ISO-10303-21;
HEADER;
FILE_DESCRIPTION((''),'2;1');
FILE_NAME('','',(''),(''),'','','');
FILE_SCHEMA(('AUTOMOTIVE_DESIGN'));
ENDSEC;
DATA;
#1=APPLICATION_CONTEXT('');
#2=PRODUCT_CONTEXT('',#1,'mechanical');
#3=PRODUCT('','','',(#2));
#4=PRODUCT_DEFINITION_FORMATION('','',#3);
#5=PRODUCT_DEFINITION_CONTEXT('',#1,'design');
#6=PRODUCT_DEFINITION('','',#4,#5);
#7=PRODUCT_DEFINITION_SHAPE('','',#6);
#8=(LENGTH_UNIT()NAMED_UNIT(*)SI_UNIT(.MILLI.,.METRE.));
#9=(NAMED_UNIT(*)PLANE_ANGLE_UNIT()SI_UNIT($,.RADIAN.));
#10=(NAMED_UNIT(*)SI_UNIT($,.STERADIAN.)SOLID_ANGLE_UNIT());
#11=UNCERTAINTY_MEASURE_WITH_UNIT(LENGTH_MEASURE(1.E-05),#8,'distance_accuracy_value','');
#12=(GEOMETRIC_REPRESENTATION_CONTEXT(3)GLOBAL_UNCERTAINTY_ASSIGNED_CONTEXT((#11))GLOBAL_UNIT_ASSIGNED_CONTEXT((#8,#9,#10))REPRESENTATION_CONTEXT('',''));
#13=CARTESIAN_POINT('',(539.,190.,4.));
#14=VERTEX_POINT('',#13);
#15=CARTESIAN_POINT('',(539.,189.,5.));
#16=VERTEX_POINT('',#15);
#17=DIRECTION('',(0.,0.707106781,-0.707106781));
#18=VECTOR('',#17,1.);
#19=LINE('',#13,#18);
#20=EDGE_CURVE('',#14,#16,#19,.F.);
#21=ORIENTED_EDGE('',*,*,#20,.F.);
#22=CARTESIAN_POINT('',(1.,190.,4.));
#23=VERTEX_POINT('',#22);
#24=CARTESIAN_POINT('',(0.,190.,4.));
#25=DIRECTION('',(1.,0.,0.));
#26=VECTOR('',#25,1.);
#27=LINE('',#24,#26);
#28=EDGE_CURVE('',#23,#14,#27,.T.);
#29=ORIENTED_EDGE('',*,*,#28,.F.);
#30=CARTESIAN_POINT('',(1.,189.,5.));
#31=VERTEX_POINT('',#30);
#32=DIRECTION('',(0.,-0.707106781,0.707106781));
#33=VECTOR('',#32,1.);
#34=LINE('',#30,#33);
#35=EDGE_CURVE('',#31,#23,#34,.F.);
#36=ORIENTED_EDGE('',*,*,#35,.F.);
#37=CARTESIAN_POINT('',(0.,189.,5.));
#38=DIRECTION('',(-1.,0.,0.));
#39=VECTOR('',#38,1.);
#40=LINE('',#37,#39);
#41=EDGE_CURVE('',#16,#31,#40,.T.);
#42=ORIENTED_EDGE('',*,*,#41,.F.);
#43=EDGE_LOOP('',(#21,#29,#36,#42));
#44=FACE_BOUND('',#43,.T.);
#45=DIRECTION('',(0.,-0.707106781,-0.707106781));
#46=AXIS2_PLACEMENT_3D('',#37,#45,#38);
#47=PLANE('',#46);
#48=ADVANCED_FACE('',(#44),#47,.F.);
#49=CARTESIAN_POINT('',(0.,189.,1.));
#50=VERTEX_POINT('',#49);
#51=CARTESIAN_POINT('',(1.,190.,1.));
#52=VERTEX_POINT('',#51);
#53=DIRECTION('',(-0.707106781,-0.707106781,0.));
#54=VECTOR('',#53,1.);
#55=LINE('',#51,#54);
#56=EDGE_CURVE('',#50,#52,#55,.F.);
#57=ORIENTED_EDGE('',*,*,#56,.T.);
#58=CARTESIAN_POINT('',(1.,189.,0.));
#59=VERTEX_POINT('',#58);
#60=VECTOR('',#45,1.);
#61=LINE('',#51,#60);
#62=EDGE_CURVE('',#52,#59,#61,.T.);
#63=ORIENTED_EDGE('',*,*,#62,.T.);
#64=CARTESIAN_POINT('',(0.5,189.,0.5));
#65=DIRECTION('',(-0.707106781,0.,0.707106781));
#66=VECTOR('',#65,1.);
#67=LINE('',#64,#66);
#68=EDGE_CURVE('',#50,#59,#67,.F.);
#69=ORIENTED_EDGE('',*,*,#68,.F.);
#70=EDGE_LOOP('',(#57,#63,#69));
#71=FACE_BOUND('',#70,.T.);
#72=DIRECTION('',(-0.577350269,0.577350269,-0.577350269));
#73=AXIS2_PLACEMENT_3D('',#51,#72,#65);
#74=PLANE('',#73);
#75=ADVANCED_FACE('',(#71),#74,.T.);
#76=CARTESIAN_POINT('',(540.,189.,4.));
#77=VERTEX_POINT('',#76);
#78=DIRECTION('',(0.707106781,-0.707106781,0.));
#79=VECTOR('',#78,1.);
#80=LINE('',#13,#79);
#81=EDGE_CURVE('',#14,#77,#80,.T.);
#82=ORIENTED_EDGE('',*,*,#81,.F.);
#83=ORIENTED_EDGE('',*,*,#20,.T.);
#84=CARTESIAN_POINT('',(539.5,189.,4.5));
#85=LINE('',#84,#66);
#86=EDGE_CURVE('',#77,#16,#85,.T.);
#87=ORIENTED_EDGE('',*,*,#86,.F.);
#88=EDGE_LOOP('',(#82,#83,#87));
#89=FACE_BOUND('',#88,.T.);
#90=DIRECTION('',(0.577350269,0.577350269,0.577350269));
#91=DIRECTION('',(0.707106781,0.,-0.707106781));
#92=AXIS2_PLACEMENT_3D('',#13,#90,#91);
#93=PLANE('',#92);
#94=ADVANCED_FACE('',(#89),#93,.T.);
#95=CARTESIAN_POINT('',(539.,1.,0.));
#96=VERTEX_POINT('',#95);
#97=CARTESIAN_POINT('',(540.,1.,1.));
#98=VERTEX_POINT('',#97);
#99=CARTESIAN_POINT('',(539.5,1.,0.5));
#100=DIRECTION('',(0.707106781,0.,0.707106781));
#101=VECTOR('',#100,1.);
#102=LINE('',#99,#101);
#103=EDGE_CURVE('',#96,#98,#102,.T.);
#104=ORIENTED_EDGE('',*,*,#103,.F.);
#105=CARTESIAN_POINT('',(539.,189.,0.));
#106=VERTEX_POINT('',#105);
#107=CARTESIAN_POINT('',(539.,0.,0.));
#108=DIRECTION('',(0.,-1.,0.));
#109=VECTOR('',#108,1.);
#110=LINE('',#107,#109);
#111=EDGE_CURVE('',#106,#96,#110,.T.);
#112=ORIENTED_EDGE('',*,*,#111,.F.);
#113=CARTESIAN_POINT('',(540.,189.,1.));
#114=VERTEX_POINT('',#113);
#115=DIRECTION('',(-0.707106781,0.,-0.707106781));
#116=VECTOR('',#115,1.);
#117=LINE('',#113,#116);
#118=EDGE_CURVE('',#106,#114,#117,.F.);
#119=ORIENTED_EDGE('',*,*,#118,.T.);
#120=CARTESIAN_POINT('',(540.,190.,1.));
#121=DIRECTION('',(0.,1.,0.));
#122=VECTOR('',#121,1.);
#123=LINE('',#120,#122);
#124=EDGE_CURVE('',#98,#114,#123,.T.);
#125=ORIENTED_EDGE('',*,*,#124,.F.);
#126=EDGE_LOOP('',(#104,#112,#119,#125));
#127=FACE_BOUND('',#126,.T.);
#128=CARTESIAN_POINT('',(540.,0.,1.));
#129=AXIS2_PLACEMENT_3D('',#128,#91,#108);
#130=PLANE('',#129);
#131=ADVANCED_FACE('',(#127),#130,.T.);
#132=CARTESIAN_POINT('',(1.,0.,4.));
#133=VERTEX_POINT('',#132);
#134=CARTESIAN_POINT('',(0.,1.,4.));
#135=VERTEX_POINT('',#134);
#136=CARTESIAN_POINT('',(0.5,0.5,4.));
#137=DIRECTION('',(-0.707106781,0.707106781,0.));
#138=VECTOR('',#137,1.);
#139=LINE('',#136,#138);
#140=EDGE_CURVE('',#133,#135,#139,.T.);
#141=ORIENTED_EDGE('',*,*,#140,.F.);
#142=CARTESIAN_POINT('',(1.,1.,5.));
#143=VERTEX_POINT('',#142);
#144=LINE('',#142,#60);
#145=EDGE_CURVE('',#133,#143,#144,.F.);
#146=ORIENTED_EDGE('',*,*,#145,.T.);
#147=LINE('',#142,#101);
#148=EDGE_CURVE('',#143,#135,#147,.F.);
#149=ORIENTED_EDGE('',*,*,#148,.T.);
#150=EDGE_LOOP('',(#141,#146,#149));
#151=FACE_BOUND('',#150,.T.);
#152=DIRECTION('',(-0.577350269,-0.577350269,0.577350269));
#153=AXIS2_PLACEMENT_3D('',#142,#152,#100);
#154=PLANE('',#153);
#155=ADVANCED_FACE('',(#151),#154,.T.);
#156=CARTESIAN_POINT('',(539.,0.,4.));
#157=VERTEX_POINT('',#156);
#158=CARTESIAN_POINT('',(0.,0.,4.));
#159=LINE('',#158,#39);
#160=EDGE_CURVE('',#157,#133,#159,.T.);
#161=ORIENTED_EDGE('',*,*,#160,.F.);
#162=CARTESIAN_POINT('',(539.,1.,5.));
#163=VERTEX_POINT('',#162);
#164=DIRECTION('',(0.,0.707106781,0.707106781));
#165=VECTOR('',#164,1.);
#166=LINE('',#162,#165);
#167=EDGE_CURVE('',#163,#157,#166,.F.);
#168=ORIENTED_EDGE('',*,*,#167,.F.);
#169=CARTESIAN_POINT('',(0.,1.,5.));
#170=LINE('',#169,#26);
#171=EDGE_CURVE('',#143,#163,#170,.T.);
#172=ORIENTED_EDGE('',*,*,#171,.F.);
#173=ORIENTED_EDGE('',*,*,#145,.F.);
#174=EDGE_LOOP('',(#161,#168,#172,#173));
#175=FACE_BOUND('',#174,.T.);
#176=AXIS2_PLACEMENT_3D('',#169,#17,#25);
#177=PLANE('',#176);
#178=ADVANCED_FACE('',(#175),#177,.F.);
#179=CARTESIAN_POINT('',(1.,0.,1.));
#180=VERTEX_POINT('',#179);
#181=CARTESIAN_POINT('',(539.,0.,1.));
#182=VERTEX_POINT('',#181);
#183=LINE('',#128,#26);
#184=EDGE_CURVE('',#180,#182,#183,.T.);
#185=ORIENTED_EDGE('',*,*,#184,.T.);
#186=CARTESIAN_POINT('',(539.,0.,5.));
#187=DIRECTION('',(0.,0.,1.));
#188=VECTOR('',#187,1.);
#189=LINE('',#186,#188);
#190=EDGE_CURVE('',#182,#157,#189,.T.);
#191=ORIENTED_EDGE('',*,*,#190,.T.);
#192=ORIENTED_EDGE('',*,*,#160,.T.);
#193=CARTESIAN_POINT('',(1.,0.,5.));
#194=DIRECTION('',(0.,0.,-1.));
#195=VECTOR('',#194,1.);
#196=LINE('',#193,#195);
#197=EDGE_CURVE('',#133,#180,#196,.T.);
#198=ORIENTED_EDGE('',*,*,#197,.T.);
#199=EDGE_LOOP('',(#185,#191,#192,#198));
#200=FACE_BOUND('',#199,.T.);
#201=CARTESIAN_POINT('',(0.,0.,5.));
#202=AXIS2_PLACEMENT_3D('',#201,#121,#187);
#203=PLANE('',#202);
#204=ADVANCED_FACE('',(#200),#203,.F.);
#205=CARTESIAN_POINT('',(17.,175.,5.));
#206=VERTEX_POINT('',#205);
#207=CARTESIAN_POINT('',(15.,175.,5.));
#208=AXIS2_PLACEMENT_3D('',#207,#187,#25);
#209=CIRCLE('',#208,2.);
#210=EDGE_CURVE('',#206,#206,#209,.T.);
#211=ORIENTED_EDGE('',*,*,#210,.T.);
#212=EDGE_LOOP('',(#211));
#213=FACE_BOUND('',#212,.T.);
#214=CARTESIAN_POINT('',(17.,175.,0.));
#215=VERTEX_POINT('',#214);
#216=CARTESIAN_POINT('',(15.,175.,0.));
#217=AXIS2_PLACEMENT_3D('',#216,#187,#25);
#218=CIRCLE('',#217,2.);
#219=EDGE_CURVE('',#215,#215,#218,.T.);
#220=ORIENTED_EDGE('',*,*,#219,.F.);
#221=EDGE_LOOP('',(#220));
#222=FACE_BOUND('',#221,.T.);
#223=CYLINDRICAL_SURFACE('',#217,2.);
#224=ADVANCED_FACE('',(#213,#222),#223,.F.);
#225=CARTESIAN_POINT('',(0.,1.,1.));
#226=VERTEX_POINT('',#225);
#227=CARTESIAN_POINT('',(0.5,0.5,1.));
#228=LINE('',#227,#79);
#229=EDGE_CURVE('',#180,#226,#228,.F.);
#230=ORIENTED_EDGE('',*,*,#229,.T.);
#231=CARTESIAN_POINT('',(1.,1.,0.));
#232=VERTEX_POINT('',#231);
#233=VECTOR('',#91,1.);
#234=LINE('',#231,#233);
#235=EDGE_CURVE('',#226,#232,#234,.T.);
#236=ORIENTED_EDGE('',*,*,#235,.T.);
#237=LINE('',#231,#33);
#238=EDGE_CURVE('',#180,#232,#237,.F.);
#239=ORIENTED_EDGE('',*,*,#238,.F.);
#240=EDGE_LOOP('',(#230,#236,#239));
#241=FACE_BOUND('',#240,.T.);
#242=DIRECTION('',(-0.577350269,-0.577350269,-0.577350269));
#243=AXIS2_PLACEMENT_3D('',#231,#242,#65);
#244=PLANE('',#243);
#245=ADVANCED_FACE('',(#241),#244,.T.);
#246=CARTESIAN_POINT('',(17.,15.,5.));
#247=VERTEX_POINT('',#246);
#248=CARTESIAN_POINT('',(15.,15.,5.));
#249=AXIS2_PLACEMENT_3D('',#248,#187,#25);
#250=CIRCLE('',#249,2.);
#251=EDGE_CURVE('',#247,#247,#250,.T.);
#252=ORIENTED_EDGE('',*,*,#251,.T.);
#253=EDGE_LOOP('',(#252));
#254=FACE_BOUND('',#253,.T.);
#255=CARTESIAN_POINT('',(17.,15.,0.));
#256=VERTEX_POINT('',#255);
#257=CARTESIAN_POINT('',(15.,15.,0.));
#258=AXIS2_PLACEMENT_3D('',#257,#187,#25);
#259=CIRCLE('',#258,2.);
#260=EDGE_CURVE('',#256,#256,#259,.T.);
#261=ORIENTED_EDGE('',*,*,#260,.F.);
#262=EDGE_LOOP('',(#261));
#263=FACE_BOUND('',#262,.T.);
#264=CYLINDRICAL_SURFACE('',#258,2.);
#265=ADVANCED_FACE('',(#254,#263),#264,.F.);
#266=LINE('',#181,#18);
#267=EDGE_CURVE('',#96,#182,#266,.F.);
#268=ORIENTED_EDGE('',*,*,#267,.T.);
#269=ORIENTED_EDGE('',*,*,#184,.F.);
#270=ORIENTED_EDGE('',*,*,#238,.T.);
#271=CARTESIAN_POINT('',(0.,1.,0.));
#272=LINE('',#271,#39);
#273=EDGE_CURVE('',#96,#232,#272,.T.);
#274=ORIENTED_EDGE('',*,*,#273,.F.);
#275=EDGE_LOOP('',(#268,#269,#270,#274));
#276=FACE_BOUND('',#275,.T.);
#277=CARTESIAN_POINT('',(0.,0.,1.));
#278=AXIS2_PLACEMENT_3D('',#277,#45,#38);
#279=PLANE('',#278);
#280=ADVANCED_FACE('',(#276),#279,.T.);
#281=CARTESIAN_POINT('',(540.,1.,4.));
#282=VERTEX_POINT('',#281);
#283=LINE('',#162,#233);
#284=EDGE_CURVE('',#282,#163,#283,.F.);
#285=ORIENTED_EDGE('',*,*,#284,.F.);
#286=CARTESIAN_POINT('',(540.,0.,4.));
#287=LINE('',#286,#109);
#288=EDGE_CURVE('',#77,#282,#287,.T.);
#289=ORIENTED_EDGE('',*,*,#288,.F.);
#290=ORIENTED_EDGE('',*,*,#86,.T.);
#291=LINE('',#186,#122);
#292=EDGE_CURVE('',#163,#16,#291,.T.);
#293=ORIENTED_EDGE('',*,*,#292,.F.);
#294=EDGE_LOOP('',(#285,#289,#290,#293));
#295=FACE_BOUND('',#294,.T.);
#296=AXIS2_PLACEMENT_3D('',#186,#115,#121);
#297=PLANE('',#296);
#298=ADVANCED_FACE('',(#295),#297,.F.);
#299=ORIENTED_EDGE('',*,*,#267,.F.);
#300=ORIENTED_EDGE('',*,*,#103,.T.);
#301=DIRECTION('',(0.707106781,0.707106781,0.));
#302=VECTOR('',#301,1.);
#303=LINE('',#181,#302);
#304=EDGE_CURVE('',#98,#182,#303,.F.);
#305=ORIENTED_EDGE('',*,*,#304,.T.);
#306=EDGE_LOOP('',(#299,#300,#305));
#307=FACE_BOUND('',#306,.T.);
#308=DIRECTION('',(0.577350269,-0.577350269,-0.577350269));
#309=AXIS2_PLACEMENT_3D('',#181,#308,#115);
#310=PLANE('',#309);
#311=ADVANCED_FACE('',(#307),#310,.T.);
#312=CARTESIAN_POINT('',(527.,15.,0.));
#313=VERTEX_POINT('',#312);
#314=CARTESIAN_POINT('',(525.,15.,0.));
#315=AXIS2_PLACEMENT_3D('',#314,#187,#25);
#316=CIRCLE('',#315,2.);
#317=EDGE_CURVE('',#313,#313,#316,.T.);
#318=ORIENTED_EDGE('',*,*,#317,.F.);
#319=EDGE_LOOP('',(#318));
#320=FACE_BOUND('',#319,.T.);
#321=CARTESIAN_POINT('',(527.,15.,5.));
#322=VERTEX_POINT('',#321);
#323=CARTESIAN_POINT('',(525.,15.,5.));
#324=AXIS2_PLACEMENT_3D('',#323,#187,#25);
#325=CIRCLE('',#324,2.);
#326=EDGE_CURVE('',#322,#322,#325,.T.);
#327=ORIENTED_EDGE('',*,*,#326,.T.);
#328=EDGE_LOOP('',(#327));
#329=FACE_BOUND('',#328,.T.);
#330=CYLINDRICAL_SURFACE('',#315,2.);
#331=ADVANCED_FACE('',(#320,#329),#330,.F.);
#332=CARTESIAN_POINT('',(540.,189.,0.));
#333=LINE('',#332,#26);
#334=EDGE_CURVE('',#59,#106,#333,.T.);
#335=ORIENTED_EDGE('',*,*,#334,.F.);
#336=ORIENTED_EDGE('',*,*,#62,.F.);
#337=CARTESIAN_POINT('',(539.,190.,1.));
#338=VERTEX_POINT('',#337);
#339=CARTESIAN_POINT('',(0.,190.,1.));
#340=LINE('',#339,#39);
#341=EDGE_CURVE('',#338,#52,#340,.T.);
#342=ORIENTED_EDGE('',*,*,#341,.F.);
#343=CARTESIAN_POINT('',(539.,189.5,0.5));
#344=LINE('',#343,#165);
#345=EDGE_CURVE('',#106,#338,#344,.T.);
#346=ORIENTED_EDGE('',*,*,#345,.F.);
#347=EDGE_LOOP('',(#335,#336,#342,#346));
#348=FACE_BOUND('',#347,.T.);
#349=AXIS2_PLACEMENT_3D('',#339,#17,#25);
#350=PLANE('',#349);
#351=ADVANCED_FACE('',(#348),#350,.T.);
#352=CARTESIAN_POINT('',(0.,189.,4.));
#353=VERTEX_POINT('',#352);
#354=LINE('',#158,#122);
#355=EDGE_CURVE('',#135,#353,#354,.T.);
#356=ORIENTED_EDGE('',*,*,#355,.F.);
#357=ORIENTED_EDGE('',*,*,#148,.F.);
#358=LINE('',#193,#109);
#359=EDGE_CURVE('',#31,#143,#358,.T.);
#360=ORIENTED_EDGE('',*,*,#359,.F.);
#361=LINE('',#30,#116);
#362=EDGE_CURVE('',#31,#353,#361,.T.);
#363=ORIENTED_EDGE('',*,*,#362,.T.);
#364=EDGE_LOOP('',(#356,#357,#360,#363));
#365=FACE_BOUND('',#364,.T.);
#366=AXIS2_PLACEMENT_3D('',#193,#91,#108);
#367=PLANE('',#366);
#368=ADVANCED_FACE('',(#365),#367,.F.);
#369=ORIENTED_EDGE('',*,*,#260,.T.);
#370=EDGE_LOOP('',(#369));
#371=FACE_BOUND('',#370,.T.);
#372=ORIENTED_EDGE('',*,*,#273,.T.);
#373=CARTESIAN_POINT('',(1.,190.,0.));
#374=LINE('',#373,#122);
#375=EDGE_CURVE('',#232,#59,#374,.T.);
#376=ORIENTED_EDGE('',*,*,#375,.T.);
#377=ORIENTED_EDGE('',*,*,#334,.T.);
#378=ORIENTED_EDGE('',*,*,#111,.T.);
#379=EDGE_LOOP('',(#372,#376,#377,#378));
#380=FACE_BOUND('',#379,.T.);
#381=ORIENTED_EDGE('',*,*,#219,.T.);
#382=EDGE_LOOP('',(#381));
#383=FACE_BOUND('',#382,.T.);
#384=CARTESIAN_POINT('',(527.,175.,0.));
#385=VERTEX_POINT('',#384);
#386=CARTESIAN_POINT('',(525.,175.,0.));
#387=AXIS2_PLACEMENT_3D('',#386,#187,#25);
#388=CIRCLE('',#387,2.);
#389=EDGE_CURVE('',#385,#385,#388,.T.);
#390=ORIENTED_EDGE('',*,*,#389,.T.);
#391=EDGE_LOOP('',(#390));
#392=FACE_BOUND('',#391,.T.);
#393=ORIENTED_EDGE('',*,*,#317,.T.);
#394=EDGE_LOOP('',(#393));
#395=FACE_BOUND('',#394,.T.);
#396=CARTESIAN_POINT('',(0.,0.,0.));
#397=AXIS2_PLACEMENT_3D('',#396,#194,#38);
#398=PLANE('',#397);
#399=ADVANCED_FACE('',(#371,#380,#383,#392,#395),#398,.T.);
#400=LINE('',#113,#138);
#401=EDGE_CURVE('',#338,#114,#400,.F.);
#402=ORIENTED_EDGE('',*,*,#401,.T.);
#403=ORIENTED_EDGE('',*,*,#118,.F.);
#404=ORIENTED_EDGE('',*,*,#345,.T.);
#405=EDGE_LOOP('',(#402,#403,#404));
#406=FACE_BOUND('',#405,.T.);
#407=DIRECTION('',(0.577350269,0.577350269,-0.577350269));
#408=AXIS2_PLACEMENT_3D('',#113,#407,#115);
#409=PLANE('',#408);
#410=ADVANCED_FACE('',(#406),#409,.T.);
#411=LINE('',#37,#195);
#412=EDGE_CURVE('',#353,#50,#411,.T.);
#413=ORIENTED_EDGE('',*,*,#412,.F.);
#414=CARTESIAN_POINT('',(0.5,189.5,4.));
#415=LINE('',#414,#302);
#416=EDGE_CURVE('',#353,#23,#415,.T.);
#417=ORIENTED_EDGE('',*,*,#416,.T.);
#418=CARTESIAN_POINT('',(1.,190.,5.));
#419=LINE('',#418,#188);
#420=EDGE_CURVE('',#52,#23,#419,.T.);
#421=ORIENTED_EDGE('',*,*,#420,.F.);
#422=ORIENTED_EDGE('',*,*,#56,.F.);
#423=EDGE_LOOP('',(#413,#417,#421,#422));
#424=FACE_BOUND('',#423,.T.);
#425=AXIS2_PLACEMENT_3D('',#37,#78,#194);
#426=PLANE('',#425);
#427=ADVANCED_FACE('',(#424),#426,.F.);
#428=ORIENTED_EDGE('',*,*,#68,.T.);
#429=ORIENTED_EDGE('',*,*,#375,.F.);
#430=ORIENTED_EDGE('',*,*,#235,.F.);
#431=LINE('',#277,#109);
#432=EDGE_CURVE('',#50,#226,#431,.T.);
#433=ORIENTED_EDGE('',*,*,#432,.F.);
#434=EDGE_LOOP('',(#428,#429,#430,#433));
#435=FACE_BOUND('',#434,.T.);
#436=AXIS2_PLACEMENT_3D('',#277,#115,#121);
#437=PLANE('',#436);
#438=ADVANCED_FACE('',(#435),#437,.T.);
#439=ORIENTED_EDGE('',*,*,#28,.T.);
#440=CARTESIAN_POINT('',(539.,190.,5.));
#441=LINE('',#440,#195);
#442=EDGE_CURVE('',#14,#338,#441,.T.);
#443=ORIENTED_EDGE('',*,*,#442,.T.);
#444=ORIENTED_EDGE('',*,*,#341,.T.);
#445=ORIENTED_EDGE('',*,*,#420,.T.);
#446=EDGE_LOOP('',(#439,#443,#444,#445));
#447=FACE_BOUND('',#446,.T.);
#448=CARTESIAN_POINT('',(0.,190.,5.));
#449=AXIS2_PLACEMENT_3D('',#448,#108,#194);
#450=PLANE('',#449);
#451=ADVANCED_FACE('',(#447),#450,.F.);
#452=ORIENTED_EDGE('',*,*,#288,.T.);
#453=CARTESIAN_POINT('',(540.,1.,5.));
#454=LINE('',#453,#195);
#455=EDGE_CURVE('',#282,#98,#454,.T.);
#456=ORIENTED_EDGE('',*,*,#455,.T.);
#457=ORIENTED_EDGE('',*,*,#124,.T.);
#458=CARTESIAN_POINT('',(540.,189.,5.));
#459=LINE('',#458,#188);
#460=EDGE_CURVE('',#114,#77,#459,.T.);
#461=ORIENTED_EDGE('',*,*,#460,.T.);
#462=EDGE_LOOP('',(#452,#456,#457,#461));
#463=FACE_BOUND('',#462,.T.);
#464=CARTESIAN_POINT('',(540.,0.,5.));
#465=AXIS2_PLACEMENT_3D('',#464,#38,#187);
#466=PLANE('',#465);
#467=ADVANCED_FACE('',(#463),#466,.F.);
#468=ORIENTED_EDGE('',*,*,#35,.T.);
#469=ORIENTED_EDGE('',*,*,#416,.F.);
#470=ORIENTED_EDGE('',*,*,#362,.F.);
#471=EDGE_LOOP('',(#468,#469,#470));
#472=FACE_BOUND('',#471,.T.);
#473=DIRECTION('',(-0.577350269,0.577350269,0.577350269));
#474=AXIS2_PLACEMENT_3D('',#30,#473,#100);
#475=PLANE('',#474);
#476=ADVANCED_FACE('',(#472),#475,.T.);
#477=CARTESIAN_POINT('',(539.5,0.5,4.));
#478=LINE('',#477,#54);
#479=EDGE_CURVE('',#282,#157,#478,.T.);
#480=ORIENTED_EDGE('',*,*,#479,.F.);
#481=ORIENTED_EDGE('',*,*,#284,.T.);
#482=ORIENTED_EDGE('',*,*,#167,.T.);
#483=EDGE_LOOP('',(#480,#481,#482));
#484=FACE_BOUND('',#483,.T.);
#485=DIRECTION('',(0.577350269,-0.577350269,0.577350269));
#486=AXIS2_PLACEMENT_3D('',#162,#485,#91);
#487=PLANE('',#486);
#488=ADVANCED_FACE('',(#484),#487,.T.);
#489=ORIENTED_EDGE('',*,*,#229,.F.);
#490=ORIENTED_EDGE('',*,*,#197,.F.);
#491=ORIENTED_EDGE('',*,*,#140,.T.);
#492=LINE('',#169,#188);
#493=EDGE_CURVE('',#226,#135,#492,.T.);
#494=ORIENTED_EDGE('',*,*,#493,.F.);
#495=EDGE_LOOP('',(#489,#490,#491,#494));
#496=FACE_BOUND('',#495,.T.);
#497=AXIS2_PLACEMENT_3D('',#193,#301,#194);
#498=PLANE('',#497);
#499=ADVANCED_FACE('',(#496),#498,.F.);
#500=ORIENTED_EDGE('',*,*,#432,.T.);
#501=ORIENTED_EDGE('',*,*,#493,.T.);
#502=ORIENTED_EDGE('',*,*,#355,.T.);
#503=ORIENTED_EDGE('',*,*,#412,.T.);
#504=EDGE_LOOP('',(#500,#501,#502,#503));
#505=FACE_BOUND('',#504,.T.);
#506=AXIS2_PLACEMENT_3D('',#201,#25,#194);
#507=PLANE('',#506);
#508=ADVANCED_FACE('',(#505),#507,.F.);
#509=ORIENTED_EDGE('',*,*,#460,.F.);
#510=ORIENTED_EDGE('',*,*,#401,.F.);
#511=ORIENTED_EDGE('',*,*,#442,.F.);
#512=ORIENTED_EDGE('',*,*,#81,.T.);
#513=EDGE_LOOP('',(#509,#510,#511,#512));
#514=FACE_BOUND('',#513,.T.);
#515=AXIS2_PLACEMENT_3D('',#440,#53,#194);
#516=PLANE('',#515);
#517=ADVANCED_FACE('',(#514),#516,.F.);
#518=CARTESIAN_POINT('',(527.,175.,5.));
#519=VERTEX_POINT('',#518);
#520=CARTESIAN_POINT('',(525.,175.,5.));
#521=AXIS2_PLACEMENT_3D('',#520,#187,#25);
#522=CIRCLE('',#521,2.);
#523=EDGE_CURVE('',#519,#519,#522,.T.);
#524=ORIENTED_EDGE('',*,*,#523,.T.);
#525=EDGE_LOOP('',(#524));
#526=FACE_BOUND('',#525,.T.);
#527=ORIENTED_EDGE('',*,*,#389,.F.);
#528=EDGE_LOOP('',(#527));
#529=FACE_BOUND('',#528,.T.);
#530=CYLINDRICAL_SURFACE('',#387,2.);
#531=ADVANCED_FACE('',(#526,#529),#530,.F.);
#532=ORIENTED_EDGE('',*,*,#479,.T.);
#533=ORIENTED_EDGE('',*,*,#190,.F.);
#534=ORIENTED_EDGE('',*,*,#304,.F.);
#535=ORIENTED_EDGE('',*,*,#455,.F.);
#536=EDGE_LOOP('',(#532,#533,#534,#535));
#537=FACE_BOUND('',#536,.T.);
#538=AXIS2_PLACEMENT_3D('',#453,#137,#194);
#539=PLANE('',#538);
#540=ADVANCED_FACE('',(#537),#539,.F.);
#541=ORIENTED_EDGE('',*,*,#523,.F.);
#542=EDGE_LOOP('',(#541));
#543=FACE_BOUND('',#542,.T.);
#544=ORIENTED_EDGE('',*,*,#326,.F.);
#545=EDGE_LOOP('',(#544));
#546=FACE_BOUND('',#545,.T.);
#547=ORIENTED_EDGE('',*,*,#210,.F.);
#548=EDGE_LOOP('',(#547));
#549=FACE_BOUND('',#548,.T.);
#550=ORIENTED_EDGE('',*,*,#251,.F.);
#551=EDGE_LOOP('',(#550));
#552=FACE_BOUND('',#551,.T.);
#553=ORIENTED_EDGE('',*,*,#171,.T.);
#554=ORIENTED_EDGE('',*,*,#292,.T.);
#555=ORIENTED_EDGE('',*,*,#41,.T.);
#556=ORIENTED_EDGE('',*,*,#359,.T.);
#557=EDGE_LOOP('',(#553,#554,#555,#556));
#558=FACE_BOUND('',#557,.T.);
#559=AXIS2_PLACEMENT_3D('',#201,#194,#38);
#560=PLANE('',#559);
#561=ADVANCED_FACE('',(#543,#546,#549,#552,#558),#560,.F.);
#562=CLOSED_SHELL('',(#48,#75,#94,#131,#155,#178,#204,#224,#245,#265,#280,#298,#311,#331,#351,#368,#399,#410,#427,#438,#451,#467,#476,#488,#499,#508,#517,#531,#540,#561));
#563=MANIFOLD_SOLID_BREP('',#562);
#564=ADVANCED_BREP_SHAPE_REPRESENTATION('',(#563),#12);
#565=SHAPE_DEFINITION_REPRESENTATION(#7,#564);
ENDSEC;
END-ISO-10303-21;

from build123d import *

# Parameters (mm, degrees)
SKETCH1_W           = 540
SKETCH1_H           = 190
BOSS_EXTRUDE1_DEPTH = 5
CHAMFER1_SIZE       = 1
SKETCH2_R           = 2
CUT_EXTRUDE1_DEPTH  = 5


with BuildPart() as part:
    # Sketch1 → Boss-Extrude1 (new body)
    with BuildSketch(Plane.XY):
        with Locations((270, 95)):
            Rectangle(SKETCH1_W, SKETCH1_H)
    extrude(amount=BOSS_EXTRUDE1_DEPTH)

    # Chamfer1
    chamfer1_edges = [part.edges().sort_by_distance(p)[0] for p in [
        (540, 95, 5),
        (270, 190, 5),
        (0, 95, 5),
        (270, 190, 0),
        (540, 95, 0),
        (270, 0, 0),
        (0, 95, 0),
        (0, 190, 2.5),
        (540, 190, 2.5),
        (540, 0, 2.5),
        (0, 0, 2.5),
        (270, 0, 5),
    ]]
    chamfer(chamfer1_edges, length=CHAMFER1_SIZE)

    # Sketch2 → Cut-Extrude1 (cut)
    with BuildSketch(Plane.XY.offset(5)):
        with Locations((525, 175)):
            Circle(SKETCH2_R)
        with Locations((525, 15)):
            Circle(SKETCH2_R)
        with Locations((15, 175)):
            Circle(SKETCH2_R)
        with Locations((15, 15)):
            Circle(SKETCH2_R)
    extrude(amount=-CUT_EXTRUDE1_DEPTH, mode=Mode.SUBTRACT)


solid = part.part
